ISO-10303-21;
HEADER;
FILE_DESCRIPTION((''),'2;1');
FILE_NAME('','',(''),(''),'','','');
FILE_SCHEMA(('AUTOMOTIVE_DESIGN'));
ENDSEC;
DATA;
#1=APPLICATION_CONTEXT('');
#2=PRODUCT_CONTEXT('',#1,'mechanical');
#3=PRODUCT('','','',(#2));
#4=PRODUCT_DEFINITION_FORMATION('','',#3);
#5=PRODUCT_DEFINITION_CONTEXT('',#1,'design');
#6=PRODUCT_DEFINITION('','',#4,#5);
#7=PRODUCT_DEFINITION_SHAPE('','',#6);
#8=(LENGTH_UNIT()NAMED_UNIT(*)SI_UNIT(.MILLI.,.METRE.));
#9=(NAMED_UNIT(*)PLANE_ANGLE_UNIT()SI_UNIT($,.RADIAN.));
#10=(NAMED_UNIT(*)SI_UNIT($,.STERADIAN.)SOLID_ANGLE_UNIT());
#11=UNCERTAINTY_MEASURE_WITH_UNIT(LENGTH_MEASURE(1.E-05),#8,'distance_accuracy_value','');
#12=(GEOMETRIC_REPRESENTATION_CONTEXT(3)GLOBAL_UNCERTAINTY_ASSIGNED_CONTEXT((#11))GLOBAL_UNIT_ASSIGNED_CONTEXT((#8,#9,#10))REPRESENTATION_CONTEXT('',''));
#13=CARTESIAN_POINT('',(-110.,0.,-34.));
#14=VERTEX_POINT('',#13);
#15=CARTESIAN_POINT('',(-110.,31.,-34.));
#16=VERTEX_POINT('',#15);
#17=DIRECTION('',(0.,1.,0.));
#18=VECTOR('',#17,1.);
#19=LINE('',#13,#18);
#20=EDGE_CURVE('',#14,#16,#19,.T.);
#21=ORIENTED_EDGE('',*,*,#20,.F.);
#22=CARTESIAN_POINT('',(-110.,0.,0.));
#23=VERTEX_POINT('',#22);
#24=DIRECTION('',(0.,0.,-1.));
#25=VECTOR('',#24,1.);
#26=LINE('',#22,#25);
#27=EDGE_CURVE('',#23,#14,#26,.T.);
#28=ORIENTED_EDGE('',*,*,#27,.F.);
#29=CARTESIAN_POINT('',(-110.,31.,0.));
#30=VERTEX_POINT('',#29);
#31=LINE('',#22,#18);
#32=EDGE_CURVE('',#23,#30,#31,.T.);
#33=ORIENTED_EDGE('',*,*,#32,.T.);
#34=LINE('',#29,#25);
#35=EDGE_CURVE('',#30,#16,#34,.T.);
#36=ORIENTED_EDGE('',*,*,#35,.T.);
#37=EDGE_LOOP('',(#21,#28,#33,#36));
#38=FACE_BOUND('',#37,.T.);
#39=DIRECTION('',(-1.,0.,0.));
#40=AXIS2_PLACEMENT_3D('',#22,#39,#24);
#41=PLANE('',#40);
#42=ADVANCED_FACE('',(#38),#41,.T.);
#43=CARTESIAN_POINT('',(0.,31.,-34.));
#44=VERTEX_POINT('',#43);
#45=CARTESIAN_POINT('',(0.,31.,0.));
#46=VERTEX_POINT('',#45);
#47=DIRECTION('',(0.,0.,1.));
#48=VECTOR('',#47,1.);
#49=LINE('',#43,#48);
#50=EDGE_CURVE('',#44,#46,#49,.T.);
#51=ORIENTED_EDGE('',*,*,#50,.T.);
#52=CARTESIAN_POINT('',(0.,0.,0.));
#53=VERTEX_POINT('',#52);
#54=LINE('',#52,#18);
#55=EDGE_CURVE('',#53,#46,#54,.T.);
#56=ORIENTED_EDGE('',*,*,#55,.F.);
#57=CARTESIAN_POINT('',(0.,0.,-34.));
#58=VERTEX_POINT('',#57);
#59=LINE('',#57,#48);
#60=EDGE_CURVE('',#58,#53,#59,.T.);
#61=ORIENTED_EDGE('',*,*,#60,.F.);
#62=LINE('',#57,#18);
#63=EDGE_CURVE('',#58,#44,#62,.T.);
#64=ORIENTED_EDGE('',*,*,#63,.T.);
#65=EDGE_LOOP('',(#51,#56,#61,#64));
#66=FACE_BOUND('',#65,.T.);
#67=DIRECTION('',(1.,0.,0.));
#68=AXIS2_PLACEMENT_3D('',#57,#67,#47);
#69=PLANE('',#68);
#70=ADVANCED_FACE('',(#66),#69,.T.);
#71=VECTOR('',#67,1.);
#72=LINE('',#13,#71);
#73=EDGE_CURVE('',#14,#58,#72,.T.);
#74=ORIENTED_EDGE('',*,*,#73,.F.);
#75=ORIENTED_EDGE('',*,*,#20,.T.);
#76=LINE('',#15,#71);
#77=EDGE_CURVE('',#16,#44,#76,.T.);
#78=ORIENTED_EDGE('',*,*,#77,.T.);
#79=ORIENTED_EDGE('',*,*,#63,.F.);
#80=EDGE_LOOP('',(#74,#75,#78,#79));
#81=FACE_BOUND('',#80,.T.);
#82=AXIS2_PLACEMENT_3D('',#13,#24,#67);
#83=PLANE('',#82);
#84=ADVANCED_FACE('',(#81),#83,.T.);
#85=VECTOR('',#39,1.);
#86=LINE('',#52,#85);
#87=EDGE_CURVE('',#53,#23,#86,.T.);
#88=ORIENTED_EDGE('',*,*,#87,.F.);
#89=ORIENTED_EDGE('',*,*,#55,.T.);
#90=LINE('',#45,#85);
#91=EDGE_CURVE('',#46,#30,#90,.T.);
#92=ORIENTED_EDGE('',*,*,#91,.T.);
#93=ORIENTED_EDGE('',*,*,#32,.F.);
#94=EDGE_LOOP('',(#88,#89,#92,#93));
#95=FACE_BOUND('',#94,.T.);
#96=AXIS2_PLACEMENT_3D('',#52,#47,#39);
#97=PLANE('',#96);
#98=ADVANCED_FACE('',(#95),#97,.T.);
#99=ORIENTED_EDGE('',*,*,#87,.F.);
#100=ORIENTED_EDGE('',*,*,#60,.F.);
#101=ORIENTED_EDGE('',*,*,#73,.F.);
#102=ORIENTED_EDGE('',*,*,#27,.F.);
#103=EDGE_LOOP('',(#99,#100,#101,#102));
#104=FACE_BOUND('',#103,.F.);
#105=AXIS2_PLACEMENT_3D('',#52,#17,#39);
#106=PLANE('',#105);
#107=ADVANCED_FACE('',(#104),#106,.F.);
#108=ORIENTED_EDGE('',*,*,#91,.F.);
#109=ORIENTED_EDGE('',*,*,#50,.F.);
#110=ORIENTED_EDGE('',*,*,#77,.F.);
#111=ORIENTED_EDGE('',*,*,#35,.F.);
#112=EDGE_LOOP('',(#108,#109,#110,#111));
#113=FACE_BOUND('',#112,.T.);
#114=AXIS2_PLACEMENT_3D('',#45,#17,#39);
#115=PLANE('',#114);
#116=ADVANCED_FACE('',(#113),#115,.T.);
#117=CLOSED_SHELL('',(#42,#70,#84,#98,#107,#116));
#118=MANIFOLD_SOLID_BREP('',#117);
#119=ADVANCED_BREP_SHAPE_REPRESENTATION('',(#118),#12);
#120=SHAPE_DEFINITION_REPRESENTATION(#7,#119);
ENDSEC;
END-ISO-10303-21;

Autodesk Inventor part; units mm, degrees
ref_plane "YZ Plane" through (0, 0, 0) normal (1, 0, 0) x (0, 1, 0)
ref_plane "XZ Plane" through (0, 0, 0) normal (0, 1, 0) x (-1, 0, 0)
ref_plane "XY Plane" through (0, 0, 0) normal (0, 0, 1) x (1, 0, 0)
sketch "Esquisse1" plane through (0, 0, 0) normal (0, 1, 0) x (-1, 0, 0)
  line L0 (0, 0) -> (110, 0)
  line L1 (110, 0) -> (110, -34)
  line L2 (110, -34) -> (0, -34)
  line L3 (0, -34) -> (0, 0)
  dimension "d0" = 110
  dimension "d1" = 34
extrude "Extrusion1" add sketch "Esquisse1" along normal blind 31
properties part number "Batterie"
